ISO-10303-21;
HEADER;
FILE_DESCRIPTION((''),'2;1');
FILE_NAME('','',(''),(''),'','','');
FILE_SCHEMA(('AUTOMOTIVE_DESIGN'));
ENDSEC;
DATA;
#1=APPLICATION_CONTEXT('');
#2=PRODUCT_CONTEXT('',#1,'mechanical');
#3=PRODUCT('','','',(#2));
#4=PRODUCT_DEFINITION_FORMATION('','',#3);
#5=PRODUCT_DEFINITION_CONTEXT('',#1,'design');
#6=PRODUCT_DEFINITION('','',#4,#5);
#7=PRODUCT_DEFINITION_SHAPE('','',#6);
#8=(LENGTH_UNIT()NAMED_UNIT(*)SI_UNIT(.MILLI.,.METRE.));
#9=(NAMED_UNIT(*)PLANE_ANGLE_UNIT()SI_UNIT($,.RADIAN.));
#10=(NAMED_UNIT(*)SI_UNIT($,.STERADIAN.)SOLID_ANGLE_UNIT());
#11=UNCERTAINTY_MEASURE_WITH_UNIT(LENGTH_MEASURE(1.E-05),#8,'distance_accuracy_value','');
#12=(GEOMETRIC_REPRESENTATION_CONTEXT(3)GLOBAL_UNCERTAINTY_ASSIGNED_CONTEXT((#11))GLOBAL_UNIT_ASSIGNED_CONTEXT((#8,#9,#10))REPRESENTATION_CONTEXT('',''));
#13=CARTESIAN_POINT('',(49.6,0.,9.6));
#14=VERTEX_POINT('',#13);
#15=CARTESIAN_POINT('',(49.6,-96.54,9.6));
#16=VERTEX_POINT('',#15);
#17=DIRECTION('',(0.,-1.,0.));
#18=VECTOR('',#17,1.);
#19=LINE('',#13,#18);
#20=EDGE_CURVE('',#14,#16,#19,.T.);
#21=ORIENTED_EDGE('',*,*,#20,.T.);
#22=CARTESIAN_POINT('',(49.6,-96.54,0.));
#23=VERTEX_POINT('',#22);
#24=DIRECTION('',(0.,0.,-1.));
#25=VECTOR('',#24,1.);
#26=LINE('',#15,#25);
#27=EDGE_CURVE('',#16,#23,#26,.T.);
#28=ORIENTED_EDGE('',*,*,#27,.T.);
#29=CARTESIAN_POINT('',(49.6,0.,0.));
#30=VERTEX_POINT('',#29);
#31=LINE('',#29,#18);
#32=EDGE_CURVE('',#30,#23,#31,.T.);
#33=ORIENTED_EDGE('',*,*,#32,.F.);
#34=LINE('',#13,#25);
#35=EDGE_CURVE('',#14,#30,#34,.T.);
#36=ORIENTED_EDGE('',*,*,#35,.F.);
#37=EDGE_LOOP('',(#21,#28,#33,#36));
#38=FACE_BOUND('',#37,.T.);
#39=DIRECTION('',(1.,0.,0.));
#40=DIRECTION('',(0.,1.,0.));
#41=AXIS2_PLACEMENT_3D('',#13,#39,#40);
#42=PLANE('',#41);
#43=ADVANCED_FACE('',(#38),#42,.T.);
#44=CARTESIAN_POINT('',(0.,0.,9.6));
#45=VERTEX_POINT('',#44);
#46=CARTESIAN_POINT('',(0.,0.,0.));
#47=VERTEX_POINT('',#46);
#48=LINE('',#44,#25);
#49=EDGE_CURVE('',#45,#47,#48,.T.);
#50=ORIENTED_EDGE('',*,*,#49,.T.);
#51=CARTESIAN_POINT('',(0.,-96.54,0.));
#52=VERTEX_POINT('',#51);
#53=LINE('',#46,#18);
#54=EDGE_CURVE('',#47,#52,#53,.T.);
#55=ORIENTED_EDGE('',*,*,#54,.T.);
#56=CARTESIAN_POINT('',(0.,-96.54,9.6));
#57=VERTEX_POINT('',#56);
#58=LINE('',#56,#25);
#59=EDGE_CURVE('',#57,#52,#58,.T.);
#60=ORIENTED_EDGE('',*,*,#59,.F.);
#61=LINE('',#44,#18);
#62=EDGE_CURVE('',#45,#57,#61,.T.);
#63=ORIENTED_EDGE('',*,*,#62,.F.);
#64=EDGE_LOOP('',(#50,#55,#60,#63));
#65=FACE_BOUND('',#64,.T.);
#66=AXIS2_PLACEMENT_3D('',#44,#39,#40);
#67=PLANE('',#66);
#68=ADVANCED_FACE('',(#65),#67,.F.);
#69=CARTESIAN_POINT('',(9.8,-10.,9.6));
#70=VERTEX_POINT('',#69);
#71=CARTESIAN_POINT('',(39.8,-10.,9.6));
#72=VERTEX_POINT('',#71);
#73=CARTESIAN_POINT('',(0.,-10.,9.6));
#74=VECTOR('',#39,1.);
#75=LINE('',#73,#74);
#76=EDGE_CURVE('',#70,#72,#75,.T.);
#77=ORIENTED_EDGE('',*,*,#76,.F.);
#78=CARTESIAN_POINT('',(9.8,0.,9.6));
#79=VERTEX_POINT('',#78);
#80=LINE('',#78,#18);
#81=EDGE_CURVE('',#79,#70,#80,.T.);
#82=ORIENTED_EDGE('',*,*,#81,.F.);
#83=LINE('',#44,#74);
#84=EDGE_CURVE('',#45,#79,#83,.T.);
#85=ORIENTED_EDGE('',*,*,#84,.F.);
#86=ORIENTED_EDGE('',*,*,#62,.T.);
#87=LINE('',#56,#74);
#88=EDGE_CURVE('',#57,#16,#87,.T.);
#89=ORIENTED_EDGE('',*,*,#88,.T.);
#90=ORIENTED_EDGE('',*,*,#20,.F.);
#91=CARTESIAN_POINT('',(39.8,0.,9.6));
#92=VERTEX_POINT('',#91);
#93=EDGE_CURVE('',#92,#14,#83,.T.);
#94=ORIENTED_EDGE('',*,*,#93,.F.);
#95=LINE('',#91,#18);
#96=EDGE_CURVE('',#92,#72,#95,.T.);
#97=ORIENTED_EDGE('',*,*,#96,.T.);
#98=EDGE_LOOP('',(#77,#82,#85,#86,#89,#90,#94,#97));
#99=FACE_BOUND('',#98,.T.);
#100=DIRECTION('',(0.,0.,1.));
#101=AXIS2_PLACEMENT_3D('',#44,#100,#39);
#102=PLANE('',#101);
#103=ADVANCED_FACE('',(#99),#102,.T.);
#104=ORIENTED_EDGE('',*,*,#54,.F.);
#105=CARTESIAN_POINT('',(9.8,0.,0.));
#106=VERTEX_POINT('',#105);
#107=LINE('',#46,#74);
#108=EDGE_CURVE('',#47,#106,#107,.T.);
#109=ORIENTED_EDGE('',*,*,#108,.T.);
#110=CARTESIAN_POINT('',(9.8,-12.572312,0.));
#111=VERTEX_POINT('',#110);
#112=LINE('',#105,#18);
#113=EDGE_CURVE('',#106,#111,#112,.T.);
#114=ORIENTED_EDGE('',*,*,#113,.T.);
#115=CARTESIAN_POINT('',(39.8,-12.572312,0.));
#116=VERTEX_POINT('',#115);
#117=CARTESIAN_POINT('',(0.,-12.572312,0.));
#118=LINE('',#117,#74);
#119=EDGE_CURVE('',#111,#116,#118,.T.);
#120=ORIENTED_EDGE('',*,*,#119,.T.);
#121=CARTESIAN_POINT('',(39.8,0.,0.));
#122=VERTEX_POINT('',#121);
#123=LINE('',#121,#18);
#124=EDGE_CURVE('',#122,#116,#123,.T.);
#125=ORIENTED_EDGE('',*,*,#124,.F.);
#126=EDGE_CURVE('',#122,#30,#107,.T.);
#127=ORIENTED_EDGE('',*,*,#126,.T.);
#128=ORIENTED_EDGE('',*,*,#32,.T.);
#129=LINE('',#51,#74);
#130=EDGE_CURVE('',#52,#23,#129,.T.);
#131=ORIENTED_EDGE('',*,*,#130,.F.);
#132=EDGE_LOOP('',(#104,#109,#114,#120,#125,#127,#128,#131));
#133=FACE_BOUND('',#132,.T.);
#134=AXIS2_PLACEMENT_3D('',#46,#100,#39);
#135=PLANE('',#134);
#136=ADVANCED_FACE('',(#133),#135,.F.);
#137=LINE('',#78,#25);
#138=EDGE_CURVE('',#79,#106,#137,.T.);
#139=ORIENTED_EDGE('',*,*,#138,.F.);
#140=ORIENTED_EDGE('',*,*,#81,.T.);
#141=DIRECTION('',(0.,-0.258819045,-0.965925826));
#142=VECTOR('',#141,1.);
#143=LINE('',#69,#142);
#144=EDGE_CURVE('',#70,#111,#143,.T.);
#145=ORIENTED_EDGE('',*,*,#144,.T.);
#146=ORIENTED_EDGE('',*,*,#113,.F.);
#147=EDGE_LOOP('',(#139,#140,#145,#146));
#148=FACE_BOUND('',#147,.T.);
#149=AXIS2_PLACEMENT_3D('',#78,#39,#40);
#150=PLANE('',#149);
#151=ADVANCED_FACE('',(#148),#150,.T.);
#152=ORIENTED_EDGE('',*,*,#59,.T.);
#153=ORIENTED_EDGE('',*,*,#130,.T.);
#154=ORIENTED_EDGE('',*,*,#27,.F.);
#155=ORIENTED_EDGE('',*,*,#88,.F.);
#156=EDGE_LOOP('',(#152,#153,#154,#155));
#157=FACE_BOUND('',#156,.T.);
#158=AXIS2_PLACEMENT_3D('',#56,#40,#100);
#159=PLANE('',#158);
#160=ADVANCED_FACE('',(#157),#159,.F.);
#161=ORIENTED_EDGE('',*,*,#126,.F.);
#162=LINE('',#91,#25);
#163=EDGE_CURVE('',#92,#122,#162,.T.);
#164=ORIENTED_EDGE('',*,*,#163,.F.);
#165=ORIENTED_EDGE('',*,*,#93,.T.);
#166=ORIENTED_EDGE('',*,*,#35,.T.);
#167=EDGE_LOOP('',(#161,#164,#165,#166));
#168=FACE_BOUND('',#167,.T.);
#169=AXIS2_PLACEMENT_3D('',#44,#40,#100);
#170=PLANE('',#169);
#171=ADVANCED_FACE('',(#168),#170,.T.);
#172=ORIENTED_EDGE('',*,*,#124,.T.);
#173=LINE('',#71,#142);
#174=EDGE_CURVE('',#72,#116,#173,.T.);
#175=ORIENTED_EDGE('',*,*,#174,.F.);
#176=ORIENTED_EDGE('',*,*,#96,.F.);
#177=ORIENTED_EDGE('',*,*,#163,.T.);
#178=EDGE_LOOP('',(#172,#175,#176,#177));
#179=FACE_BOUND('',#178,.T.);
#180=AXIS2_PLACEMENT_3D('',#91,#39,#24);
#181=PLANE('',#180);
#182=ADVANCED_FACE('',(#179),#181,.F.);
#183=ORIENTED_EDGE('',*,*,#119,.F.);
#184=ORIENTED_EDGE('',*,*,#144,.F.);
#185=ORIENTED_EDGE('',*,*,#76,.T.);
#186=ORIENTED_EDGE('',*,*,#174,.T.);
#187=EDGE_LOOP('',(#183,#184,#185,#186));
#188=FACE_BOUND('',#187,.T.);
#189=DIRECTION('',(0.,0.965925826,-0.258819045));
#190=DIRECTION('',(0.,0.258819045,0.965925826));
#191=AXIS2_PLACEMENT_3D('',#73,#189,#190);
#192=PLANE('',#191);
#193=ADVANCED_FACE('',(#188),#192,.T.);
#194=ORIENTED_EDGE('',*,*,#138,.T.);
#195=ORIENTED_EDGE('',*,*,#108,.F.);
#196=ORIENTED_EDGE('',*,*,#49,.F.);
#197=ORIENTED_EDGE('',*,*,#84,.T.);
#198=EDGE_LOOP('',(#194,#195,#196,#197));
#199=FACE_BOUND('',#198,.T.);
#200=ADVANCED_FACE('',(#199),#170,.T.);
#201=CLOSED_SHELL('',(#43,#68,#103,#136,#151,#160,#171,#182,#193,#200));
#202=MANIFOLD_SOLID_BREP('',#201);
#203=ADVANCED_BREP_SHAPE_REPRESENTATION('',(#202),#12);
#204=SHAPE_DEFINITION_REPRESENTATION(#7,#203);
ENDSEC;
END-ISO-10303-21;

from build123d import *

# Parameters (mm, degrees)
EXTRUDE_1_DEPTH = 9.6
DRAFT_5_ANGLE   = -15


with BuildPart() as part:
    # 草图1 → 凸台-拉伸1 (new body)
    with BuildSketch(Plane.XY):
        Polygon((9.8, 0), (0, 0), (0, -96.54), (49.6, -96.54), (49.6, 0), (39.8, 0), (39.8, -10), (9.8, -10), align=None)
    extrude(amount=EXTRUDE_1_DEPTH)

    # 拔模5
    draft_5_faces = [part.faces().sort_by_distance(p)[0] for p in [
        (24.8, -10, 4.8),
    ]]
    draft(draft_5_faces, Plane.XY.offset(9.6), DRAFT_5_ANGLE)


solid = part.part
